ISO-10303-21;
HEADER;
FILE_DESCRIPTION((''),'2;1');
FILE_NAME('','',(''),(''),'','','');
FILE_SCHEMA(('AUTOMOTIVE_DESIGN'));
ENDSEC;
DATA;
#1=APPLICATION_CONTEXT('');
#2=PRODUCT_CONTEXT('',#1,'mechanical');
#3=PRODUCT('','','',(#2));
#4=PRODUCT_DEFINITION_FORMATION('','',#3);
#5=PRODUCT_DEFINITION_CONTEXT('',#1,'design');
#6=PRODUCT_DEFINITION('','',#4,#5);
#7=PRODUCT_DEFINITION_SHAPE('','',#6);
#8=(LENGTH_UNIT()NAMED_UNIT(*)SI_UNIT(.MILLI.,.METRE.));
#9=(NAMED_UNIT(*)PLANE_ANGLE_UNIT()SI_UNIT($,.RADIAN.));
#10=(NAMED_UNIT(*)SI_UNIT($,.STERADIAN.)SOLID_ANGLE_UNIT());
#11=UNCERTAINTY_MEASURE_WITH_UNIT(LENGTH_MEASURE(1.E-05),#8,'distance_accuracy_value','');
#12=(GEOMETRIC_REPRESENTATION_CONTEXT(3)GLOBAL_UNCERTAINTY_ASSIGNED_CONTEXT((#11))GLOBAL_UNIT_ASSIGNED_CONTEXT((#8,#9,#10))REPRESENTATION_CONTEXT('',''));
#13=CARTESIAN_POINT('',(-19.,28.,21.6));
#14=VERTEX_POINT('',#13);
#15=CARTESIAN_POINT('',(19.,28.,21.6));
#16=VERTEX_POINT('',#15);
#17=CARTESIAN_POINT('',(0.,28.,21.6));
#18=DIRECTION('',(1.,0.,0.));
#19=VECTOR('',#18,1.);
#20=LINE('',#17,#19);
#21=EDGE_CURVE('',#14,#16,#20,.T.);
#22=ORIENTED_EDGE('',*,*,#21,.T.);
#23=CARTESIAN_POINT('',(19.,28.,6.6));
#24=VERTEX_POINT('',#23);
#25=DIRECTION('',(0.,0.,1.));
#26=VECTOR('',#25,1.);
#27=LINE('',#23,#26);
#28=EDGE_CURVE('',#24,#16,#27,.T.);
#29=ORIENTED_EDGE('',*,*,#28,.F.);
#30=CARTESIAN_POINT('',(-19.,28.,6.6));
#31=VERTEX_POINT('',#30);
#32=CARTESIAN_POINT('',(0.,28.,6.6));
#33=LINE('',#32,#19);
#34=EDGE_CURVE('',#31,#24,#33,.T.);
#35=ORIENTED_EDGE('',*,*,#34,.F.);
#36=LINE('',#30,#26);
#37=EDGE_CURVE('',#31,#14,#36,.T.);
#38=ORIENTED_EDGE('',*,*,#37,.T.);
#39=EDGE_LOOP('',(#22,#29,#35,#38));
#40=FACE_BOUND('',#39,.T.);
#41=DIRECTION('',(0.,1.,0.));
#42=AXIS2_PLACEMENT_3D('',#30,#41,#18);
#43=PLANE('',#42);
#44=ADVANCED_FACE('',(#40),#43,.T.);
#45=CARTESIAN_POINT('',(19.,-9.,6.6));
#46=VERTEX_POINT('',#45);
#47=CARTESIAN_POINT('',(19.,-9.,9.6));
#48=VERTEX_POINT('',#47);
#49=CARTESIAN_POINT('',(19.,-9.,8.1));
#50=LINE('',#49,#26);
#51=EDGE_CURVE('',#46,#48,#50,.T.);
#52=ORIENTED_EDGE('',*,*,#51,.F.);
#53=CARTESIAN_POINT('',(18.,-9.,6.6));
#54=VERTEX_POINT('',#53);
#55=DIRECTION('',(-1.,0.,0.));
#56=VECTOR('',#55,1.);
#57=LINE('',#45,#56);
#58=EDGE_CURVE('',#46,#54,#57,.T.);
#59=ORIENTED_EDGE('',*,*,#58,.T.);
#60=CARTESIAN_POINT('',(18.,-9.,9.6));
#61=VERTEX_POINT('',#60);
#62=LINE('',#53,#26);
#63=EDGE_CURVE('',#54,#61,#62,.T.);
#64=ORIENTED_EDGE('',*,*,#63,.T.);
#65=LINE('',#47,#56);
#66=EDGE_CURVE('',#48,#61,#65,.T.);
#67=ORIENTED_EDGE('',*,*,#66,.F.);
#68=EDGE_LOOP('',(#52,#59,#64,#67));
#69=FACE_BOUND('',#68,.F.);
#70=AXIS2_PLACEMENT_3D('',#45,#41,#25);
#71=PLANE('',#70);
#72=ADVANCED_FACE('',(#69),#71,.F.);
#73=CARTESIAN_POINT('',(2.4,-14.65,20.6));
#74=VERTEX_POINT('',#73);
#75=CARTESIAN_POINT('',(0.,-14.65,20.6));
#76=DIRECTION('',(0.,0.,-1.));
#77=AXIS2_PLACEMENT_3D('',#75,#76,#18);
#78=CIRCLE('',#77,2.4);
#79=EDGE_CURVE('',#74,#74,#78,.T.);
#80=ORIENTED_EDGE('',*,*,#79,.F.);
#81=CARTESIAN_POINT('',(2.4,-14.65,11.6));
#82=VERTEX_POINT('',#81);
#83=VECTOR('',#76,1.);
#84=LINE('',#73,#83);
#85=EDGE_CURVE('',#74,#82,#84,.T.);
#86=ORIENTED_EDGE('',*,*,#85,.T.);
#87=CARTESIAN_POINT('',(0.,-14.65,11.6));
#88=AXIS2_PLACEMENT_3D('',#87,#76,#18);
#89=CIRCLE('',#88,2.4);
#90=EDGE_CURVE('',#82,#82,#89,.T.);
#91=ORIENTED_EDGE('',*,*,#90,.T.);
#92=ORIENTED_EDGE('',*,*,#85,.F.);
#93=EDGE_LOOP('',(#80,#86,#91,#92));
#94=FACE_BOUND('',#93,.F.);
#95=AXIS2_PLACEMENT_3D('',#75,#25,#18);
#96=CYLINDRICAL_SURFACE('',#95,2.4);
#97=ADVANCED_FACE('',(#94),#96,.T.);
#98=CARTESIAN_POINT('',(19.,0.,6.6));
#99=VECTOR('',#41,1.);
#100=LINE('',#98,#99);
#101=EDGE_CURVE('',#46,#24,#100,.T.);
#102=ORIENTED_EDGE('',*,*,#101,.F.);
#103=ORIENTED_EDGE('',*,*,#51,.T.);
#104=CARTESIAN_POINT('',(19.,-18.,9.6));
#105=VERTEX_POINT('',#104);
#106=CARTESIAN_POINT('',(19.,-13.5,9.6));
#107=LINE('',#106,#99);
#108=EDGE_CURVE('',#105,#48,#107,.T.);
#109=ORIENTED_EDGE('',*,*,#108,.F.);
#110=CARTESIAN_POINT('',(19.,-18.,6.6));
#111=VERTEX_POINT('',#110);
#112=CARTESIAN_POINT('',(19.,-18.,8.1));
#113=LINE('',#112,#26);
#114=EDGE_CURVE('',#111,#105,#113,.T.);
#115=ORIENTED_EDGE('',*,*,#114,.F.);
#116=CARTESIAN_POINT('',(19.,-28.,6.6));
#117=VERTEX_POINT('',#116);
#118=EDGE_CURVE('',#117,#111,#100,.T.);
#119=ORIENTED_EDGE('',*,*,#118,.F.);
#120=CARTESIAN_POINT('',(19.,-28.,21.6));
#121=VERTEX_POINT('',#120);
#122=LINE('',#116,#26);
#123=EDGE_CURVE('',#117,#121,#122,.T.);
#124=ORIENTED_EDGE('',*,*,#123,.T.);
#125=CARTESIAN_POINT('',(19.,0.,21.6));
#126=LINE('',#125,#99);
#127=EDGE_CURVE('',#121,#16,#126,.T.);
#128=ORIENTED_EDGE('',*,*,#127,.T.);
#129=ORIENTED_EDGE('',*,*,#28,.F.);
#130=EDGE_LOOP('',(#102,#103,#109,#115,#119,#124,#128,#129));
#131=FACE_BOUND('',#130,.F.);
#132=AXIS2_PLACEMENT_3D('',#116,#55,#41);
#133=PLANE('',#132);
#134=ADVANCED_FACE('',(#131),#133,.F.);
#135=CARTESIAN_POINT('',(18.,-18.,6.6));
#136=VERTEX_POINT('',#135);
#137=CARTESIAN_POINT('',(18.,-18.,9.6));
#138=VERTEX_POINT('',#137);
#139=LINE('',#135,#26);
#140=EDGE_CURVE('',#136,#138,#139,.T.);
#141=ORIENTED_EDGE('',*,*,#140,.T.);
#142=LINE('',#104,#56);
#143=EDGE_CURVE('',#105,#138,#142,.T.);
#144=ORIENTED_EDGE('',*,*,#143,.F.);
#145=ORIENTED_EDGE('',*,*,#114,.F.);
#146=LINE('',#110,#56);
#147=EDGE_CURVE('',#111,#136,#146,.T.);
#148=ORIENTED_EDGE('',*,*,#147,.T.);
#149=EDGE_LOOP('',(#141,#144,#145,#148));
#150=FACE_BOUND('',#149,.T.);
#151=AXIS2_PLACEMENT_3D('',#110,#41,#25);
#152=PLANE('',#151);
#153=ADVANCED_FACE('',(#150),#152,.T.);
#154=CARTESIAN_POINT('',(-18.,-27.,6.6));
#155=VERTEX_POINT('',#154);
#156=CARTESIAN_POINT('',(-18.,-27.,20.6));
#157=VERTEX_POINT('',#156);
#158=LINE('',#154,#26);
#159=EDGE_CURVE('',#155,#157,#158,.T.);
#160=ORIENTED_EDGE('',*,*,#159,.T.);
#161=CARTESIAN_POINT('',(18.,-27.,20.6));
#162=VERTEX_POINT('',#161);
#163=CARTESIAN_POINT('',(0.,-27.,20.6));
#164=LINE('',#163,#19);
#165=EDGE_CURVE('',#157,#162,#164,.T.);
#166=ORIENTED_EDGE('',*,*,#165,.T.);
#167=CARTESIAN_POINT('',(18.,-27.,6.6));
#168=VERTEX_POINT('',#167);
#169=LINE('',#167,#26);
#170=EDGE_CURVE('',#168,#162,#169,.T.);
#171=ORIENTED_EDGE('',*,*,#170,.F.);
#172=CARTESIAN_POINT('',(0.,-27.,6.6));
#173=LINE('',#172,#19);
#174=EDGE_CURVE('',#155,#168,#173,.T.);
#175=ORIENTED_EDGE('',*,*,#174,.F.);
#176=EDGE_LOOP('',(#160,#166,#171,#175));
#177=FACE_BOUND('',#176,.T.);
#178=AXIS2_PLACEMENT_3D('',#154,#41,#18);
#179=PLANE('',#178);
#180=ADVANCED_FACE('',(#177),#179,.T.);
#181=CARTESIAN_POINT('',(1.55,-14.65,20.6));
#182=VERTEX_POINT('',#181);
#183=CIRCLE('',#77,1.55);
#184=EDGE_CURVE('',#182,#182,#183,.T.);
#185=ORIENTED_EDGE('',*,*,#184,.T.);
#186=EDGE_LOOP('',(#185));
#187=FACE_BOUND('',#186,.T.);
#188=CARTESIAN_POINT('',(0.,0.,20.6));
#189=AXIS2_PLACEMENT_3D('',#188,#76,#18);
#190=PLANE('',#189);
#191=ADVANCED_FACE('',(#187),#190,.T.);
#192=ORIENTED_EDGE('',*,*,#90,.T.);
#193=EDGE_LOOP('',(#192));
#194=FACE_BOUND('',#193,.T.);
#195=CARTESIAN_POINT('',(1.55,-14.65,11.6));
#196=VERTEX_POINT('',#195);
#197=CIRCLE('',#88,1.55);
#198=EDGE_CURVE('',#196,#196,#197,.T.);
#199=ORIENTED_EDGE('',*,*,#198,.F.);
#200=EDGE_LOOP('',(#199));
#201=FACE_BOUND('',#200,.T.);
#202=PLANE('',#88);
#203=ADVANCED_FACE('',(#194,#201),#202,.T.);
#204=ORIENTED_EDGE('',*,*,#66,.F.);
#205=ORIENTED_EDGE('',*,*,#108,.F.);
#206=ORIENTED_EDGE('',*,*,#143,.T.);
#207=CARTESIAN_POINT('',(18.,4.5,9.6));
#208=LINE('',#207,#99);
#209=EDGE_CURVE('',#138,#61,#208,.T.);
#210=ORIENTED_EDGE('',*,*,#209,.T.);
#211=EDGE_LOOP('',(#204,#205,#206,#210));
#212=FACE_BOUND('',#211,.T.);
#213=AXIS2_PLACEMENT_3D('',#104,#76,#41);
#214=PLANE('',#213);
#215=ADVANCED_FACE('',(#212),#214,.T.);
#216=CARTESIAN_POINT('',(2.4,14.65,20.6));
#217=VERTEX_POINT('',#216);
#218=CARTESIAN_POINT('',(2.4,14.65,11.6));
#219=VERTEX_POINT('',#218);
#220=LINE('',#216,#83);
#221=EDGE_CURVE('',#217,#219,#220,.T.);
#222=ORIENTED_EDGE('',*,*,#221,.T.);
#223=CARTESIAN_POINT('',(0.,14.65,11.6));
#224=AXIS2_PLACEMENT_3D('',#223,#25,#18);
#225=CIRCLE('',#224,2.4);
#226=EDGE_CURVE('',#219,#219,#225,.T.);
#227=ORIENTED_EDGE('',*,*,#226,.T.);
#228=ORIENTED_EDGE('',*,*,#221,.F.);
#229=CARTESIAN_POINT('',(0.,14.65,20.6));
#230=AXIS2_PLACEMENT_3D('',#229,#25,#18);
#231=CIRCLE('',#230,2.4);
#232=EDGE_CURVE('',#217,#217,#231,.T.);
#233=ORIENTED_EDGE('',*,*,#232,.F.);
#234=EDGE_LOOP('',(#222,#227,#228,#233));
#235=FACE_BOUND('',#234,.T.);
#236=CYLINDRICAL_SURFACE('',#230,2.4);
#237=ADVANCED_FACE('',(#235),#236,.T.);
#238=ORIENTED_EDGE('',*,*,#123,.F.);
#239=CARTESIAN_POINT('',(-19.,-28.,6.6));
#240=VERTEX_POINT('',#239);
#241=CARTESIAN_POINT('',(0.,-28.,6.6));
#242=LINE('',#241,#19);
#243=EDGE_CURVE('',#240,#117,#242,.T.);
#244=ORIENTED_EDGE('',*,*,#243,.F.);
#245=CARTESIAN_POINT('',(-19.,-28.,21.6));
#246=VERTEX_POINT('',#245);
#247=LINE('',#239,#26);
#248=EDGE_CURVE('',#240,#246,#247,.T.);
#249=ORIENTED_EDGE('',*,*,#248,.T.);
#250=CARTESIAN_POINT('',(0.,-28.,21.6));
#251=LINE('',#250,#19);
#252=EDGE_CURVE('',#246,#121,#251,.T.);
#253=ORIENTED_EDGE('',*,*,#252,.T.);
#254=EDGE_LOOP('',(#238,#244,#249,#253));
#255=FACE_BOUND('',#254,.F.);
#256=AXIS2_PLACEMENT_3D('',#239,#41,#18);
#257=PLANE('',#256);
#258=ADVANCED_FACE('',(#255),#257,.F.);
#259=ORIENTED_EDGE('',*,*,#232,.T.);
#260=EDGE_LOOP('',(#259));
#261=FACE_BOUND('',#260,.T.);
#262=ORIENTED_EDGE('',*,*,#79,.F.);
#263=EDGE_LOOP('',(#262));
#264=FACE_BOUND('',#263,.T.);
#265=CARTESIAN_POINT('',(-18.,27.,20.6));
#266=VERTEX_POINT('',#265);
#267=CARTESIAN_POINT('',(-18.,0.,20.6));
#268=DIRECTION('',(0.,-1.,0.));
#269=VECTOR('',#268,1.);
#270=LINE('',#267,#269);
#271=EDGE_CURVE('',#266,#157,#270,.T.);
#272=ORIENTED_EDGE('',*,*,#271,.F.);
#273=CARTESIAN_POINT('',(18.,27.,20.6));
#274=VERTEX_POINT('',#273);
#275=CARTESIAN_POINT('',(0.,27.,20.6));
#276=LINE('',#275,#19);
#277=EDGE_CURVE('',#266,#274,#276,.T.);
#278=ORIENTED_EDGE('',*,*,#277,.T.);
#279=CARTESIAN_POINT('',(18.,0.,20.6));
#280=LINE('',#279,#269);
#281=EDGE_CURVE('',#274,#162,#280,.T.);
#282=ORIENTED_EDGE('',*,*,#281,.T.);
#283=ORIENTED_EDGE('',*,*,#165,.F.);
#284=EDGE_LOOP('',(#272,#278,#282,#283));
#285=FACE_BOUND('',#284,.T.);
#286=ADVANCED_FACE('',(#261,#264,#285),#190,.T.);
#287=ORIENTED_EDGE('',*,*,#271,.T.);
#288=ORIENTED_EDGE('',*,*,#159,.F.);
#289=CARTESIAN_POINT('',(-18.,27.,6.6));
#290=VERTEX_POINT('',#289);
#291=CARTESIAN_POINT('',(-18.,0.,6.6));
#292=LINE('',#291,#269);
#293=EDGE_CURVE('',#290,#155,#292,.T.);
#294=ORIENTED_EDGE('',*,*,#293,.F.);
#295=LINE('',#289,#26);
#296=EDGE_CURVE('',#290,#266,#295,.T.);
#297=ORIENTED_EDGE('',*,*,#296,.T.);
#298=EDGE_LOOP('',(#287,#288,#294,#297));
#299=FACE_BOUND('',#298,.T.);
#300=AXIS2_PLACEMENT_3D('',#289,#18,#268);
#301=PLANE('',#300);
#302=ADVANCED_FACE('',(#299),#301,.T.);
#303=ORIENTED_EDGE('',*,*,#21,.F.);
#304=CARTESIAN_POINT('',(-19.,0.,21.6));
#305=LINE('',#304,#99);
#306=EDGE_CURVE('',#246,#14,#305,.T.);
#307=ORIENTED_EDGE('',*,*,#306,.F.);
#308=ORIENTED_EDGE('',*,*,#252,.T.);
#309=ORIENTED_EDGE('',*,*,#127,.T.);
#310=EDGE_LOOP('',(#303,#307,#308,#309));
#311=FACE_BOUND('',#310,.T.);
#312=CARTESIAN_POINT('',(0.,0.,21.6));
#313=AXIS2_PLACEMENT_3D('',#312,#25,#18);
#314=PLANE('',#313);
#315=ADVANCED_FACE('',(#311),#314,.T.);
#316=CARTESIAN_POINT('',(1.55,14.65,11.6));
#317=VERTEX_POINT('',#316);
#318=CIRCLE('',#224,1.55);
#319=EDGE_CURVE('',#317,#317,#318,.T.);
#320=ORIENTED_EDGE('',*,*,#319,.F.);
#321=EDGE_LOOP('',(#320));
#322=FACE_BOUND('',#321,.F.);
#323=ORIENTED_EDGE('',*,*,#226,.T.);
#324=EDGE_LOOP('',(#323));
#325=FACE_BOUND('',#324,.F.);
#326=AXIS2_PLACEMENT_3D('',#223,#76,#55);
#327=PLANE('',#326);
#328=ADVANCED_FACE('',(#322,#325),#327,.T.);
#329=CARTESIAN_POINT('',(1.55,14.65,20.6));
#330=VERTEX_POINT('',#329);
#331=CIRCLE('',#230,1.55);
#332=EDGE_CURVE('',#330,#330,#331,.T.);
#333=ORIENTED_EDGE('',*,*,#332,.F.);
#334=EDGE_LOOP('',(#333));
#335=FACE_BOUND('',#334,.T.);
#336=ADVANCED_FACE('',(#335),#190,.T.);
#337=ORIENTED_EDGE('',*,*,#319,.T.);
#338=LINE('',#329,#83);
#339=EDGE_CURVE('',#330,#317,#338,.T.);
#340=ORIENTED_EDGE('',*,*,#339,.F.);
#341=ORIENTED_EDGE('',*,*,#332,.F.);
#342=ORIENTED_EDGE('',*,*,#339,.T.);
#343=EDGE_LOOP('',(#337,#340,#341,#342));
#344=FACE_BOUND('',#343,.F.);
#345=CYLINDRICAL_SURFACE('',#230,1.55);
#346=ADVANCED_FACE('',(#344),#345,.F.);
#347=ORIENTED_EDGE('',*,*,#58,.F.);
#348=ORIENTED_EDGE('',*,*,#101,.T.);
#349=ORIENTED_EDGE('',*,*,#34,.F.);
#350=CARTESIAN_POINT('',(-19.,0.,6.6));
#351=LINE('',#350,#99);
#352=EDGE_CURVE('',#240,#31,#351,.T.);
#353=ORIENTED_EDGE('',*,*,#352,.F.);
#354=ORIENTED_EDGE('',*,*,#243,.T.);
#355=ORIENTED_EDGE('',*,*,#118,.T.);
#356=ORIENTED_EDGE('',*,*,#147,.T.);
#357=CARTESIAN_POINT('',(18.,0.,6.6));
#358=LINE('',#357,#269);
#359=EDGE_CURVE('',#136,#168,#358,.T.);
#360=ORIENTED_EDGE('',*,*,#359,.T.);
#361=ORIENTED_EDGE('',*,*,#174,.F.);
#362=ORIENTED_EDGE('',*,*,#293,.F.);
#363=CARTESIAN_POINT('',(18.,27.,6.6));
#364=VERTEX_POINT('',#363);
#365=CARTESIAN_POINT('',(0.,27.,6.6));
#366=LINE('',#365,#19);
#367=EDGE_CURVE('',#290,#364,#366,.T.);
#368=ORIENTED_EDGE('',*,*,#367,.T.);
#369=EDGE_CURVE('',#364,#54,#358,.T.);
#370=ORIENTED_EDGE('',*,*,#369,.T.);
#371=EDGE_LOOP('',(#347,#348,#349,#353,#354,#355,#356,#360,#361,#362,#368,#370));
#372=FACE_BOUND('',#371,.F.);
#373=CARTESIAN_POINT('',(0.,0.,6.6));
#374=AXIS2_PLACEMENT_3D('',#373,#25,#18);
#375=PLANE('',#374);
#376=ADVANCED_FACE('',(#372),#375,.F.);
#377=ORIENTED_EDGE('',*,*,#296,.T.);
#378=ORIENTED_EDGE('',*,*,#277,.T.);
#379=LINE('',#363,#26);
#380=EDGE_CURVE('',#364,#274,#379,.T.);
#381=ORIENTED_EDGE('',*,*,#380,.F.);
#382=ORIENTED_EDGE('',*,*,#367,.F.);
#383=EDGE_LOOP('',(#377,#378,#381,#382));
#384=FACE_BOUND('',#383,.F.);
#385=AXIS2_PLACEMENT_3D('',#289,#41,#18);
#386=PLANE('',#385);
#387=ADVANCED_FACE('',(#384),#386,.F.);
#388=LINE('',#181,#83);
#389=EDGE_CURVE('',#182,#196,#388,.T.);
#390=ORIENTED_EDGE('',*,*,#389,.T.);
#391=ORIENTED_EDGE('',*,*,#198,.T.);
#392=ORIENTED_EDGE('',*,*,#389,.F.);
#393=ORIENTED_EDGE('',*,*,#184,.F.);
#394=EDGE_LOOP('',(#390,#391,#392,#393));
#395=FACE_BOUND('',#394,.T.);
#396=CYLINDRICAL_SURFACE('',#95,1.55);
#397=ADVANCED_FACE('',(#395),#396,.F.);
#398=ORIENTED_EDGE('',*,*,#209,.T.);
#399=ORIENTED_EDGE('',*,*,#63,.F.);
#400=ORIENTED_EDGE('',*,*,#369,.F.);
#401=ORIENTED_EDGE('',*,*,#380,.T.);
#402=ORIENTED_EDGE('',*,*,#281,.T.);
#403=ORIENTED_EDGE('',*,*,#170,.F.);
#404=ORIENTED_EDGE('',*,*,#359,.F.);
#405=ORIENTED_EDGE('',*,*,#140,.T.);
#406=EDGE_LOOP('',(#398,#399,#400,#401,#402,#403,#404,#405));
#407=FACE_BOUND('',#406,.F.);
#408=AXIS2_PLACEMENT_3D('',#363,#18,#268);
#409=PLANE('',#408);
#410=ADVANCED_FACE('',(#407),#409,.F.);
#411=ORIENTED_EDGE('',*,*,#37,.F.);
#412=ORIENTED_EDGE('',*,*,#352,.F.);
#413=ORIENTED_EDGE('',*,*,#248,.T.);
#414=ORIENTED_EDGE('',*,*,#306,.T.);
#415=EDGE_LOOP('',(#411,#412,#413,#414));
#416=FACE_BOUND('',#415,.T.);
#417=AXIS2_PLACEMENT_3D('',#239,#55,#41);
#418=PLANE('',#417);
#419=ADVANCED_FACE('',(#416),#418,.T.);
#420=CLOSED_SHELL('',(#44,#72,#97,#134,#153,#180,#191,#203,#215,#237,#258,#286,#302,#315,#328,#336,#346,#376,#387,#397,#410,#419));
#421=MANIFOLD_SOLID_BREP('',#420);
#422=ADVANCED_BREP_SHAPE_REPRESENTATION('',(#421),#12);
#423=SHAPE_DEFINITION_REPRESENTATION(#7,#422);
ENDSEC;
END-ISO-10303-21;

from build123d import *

# Parameters (mm, degrees)
SKETCH030_W     = 38
SKETCH030_H     = 56
PAD017_DEPTH    = 15
SKETCH031_W     = 36
SKETCH031_H     = 54
POCKET007_DEPTH = 14
SKETCH033_R     = 2.4
SKETCH033_R_2   = 1.55
PAD019_DEPTH    = 9
SKETCH038_W     = 9
SKETCH038_H     = 3
POCKET010_DEPTH = 5


with BuildPart() as part:
    # Sketch030 → Pad017 (new body)
    with BuildSketch(Plane.XY):
        Rectangle(SKETCH030_W, SKETCH030_H)
    extrude(amount=PAD017_DEPTH)

    # Sketch031 (on Face5 of Pad017) → Pocket007 (cut)
    with BuildSketch(Plane(origin=(0, 0, 0), x_dir=(1, 0, 0), z_dir=(0, 0, -1))):
        Rectangle(SKETCH031_W, SKETCH031_H)
    extrude(amount=-POCKET007_DEPTH, mode=Mode.SUBTRACT)

    # Sketch033 (on Face11 of Pocket007) → Pad019 (join)
    with BuildSketch(Plane(origin=(0, 0, 14), x_dir=(1, 0, 0), z_dir=(0, 0, -1))):
        with Locations((0, 14.65)):
            Circle(SKETCH033_R)
        with Locations((0, 14.65)):
            Circle(SKETCH033_R_2, mode=Mode.SUBTRACT)
    pad019 = extrude(amount=PAD019_DEPTH)

    # Mirrored009: Pad019 across XZ
    add(pad019.mirror(Plane.XZ))

    # Sketch038 (on Face3 of Mirrored009) → Pocket010 (cut)
    with BuildSketch(Plane.YZ.offset(19)):
        with Locations((-13.5, 1.5)):
            Rectangle(SKETCH038_W, SKETCH038_H)
    extrude(amount=-POCKET010_DEPTH, mode=Mode.SUBTRACT)


with BuildPart() as part_1:
    # Body007 placement: moved
    add(part.part.moved(Location((0, 0, 6.6))))


solid = part_1.part
